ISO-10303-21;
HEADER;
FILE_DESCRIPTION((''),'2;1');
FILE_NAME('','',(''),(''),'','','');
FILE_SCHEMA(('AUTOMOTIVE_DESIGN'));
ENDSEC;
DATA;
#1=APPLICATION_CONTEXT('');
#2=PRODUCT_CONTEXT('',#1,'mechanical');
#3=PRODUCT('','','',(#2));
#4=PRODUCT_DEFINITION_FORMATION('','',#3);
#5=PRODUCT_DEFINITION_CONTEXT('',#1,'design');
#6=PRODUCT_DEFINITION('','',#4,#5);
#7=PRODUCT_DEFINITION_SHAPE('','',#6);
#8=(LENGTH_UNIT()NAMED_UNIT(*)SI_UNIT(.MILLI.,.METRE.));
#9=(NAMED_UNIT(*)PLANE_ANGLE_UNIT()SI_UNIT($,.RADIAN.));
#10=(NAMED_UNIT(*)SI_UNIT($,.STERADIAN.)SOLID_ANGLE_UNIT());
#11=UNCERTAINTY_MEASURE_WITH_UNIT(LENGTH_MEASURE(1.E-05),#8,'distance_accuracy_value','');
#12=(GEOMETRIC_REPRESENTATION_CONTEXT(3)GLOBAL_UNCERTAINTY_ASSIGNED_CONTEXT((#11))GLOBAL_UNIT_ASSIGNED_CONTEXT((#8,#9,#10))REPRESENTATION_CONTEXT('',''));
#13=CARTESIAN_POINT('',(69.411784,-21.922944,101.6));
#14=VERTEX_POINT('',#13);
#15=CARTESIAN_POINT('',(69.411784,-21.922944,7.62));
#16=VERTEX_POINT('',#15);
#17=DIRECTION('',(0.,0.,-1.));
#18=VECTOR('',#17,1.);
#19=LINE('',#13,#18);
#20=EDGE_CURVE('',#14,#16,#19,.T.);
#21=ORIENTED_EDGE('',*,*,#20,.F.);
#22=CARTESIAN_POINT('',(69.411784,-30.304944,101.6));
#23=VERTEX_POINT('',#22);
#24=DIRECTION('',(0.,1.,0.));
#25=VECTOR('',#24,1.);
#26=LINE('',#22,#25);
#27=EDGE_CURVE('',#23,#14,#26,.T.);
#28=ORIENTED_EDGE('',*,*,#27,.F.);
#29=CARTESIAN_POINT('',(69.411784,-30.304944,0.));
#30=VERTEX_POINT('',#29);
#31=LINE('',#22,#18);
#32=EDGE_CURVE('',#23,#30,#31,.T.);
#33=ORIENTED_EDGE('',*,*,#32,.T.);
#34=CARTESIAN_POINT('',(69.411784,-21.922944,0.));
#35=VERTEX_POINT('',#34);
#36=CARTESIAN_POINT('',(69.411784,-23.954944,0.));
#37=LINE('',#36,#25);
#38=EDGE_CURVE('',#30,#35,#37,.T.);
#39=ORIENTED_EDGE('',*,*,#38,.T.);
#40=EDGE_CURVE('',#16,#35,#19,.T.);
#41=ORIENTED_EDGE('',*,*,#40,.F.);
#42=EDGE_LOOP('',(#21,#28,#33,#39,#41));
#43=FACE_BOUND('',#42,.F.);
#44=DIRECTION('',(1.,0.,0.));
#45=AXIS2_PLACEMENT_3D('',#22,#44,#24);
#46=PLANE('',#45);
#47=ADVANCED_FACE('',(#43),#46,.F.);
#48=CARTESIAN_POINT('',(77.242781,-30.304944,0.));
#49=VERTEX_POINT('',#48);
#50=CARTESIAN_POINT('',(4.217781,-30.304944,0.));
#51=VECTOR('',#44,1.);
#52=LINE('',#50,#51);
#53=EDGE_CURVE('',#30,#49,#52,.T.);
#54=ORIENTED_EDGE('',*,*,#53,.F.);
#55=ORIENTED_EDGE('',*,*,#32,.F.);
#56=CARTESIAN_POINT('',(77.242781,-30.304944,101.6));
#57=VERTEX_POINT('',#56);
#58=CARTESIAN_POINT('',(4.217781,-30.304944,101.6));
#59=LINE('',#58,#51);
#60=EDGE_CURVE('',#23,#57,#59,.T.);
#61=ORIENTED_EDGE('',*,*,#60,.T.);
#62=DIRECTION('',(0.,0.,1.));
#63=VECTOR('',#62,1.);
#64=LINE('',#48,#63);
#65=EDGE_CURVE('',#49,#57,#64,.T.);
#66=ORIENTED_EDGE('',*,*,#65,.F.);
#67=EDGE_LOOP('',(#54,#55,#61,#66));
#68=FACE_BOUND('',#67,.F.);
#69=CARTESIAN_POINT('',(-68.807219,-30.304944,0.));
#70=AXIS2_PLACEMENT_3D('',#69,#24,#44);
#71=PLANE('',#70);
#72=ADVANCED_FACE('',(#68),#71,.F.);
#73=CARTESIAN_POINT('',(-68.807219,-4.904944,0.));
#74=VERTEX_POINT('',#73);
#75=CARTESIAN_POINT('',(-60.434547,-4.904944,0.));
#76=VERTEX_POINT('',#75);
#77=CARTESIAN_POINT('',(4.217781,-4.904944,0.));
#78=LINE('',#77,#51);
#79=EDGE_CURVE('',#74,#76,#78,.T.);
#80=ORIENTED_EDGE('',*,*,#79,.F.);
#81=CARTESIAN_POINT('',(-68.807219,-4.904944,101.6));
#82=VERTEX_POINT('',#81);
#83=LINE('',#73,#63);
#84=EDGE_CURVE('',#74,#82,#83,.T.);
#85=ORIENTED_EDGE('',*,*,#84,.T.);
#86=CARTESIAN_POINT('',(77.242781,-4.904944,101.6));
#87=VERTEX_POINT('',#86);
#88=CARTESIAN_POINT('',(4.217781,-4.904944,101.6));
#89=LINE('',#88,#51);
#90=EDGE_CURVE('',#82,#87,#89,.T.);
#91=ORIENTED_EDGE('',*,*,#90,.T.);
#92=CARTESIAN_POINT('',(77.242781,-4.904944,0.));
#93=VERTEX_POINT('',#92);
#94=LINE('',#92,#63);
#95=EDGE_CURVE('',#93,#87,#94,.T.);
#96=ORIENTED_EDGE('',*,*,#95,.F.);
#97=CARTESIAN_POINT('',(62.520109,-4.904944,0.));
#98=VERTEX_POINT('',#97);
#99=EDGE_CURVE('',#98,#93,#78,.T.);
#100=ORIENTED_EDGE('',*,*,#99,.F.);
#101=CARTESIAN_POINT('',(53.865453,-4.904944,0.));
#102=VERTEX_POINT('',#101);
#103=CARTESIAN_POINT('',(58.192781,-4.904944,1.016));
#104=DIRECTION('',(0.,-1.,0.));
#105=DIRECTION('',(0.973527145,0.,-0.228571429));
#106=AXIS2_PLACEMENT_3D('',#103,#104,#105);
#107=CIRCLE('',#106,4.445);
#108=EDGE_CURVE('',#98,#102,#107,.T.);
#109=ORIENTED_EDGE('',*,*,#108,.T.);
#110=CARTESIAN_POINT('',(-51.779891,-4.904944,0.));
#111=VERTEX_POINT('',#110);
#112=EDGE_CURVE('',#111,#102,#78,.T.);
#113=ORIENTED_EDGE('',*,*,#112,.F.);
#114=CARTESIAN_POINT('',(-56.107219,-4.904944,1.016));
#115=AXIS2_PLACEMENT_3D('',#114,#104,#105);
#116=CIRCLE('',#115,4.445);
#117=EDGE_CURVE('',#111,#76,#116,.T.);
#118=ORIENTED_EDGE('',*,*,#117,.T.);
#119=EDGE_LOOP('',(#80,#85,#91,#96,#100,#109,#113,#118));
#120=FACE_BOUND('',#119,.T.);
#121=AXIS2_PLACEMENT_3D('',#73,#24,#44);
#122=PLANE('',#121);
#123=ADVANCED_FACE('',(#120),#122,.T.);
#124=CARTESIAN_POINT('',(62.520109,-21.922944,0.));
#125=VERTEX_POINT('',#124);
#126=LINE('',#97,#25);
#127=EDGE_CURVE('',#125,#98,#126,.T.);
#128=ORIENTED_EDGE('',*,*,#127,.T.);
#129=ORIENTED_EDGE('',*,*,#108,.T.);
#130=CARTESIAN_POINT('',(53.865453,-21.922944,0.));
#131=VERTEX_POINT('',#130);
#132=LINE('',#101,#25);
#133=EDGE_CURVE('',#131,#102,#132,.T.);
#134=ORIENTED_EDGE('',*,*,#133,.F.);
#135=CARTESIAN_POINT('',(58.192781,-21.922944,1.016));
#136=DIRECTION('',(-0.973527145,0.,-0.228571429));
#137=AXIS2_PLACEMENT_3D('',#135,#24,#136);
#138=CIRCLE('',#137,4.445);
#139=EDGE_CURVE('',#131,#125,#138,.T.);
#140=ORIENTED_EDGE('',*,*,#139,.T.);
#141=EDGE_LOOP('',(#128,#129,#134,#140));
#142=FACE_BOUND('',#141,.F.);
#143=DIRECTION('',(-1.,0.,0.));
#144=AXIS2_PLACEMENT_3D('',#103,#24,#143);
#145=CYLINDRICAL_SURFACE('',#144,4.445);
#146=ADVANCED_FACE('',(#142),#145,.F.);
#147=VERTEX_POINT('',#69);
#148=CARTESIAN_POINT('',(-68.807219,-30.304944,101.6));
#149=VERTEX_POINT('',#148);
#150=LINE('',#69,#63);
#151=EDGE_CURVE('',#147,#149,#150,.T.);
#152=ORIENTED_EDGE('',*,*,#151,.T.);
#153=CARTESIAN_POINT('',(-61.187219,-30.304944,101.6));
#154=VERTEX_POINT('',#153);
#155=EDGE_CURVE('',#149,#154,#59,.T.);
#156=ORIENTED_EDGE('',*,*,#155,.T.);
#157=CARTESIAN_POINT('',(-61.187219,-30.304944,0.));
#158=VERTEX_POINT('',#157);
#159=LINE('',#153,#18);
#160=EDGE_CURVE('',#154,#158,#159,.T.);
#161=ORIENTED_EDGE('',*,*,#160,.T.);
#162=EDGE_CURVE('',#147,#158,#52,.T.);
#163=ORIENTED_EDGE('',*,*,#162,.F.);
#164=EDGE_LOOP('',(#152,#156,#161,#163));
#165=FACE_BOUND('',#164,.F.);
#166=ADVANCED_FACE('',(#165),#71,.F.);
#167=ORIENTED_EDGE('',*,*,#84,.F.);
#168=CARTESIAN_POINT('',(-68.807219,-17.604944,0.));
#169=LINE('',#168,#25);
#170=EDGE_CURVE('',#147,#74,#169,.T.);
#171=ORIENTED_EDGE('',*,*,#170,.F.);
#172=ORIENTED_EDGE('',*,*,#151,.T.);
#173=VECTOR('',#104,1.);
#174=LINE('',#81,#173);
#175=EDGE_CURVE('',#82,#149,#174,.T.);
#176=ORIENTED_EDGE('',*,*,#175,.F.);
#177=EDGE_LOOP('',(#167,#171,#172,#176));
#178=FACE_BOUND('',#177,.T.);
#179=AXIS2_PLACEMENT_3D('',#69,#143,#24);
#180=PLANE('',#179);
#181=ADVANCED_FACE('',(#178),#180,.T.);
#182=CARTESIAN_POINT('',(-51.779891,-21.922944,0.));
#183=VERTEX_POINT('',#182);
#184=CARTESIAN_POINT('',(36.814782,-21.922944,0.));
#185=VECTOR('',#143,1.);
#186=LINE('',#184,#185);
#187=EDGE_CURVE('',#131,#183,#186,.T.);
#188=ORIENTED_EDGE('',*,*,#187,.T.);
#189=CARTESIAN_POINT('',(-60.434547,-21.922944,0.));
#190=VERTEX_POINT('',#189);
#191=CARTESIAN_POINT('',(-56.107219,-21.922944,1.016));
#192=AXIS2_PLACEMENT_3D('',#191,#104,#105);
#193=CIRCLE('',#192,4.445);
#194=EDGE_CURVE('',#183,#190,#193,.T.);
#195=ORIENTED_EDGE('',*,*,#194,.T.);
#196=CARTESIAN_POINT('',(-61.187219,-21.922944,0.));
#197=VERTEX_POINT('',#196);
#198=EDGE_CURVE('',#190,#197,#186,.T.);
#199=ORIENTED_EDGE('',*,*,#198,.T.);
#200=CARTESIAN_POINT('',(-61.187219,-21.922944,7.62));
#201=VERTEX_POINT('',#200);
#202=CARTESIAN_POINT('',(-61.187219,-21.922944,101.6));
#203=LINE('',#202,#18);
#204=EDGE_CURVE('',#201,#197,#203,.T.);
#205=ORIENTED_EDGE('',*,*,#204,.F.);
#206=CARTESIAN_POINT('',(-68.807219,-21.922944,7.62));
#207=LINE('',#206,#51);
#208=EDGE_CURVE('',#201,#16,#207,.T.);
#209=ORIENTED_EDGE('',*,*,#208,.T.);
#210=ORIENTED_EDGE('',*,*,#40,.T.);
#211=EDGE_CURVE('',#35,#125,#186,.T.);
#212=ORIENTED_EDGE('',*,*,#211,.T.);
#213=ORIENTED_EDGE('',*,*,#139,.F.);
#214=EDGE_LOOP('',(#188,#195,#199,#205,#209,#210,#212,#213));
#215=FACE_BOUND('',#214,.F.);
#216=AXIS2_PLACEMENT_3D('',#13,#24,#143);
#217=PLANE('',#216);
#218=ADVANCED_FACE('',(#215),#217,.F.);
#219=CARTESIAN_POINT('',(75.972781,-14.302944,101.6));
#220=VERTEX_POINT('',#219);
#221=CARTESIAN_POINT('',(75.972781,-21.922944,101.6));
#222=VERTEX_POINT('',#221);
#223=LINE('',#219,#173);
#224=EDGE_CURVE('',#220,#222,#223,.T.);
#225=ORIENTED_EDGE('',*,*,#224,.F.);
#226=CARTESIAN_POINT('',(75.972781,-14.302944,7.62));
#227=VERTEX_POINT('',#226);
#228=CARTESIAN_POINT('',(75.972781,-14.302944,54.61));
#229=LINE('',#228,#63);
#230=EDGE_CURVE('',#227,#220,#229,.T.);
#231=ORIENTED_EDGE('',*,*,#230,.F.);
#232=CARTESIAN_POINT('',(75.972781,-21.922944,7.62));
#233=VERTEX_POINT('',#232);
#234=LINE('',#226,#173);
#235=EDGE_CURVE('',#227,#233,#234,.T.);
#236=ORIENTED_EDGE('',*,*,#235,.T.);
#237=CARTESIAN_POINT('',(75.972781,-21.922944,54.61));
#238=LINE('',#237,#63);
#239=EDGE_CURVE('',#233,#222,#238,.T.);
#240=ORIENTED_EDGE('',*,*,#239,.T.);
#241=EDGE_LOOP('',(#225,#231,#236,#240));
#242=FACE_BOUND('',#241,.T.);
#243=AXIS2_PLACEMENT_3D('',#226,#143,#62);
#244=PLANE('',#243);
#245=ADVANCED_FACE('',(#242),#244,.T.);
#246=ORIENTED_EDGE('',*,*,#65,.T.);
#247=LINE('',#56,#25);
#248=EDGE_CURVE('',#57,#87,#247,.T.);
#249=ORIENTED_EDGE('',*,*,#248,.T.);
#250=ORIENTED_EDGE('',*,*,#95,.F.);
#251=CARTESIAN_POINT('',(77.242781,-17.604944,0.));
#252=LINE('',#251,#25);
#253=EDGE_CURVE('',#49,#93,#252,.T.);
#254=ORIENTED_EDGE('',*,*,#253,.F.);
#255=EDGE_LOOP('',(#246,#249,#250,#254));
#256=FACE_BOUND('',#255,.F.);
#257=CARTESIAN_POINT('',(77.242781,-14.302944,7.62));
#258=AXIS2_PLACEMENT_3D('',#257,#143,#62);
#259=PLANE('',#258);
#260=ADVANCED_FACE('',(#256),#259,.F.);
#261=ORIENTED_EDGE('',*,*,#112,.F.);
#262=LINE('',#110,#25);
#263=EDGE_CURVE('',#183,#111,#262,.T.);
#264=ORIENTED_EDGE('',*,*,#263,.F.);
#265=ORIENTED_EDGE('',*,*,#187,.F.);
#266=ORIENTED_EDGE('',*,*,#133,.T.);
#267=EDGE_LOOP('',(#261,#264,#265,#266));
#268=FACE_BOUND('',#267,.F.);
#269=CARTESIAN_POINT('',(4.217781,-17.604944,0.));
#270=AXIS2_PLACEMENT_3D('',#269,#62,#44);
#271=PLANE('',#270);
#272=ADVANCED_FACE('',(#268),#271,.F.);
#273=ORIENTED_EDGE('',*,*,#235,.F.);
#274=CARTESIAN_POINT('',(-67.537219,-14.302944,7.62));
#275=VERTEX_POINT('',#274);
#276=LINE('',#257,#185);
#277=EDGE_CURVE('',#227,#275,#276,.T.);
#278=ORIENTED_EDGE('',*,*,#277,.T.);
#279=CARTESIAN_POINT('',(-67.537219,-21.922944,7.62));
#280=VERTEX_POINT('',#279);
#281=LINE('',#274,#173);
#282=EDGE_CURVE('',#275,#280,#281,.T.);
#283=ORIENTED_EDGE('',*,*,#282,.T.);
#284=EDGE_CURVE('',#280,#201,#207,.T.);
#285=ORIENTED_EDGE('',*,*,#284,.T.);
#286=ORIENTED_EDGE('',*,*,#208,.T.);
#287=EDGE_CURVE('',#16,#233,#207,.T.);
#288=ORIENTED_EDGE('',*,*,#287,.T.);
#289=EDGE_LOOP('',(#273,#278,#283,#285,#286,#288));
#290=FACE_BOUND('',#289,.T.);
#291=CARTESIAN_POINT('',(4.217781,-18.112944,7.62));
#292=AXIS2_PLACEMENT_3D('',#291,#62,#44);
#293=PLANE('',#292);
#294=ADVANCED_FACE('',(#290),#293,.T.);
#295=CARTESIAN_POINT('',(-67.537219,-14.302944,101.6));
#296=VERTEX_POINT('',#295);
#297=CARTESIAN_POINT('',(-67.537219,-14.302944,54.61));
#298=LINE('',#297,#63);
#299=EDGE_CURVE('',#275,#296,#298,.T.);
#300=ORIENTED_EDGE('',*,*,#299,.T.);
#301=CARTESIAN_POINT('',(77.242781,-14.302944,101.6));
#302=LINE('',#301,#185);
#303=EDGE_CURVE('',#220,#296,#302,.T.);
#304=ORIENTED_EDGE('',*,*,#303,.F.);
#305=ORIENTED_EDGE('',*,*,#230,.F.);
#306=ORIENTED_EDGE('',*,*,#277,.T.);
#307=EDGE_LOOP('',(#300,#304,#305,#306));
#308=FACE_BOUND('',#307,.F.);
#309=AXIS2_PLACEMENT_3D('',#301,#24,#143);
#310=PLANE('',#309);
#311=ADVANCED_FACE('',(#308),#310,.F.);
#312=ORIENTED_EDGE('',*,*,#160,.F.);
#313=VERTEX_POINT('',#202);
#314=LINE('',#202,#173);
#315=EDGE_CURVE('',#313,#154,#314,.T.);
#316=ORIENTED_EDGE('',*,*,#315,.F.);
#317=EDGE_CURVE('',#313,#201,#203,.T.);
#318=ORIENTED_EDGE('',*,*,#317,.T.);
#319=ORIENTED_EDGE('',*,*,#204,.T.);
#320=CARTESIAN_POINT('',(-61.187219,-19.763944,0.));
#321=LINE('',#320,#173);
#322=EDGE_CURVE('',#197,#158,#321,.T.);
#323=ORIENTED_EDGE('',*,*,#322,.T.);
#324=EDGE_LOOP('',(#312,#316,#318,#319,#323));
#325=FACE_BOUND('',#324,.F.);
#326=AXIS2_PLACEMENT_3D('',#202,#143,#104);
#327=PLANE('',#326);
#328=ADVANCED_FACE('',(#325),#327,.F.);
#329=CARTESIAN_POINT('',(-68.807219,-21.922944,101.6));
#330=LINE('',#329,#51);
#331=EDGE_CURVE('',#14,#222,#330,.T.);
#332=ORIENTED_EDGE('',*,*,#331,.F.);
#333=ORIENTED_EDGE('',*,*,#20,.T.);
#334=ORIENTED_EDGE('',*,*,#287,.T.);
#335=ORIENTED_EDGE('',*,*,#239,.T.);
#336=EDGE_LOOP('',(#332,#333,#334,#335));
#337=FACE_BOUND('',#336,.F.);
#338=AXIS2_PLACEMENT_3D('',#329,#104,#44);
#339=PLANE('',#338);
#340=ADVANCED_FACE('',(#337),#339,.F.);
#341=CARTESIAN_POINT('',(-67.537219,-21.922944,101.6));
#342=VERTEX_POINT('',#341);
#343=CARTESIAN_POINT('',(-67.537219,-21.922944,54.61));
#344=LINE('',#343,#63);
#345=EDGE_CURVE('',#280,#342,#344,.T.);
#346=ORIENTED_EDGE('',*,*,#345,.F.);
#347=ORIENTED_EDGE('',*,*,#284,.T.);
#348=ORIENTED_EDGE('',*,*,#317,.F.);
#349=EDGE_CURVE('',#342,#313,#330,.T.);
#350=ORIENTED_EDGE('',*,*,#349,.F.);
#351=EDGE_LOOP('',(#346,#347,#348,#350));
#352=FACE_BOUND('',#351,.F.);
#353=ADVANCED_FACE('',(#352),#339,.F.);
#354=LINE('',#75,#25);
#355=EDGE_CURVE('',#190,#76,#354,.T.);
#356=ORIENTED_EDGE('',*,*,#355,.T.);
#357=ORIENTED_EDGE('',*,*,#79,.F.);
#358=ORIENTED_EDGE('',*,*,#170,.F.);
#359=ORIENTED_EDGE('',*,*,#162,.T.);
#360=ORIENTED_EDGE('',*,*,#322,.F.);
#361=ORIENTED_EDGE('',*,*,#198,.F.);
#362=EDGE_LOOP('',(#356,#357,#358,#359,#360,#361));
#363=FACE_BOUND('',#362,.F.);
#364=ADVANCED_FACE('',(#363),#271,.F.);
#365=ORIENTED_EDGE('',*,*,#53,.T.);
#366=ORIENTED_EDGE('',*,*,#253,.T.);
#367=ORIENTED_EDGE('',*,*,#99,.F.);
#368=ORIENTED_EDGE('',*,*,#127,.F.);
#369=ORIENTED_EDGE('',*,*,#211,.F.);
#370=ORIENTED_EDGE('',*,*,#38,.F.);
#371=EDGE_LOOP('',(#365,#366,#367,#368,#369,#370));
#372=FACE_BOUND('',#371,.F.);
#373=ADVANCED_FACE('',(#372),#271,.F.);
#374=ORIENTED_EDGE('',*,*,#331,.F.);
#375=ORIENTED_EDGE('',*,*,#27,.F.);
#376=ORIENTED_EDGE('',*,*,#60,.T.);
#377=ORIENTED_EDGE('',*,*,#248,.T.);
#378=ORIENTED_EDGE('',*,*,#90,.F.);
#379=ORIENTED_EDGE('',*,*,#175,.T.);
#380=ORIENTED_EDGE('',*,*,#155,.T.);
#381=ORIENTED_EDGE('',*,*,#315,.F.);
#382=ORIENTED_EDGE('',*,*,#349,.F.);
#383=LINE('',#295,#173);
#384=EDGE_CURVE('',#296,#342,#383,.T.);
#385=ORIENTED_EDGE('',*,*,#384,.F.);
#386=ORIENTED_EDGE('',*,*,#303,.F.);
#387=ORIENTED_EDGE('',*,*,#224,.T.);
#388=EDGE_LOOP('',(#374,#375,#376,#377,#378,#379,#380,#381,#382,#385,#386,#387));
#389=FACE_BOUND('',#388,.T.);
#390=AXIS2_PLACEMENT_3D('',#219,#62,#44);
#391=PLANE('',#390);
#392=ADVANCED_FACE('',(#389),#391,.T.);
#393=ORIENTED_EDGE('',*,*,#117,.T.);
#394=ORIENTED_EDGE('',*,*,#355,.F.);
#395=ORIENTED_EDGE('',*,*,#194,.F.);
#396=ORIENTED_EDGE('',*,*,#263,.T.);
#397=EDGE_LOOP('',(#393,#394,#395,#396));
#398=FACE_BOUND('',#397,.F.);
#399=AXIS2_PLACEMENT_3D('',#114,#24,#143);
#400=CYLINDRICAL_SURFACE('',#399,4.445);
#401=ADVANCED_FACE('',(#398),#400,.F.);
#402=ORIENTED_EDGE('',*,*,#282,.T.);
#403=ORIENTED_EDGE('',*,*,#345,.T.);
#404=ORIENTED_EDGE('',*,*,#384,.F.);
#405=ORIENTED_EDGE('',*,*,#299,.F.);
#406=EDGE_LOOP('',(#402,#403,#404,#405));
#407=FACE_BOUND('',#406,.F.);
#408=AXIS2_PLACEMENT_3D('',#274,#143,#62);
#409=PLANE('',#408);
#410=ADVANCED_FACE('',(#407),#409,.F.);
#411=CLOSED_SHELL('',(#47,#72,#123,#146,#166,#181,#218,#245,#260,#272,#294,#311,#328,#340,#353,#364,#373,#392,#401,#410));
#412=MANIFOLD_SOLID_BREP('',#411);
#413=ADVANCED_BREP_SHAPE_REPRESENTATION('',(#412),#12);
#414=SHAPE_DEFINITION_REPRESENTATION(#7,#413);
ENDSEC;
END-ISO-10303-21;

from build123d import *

# Parameters (mm, degrees)
F0_W     = 146.05
F0_H     = 25.4
F1_DEPTH = 101.6
F3_DEPTH = 93.98
F5_DEPTH = 101.601
F6_R     = 4.445
F7_DEPTH = 25.401
F8_W     = 1.27
F8_H     = 93.98
F9_DEPTH = 7.62


with BuildPart() as f1:
    # F0 (on Top) → F1 (new body)
    with BuildSketch(Plane.XY):
        with Locations((4.217781, -17.604944)):
            Rectangle(F0_W, F0_H)
    extrude(amount=F1_DEPTH)

    # F2 (on face) → F3 (cut)
    with BuildSketch(Plane.XY.offset(101.6)):
        Polygon((77.242781, -14.302944), (-63.299149, -14.302944), (-68.807219, -14.302944), (-68.807219, -21.922944), (-63.299149, -21.922944), (77.242781, -21.922944), align=None)
    extrude(amount=-F3_DEPTH, mode=Mode.SUBTRACT)

    # F4 (on face) → F5 (cut, through all)
    with BuildSketch(Plane.XY.offset(101.6)):
        Polygon((-61.187219, -21.922944), (-61.187219, -26.113944), (-61.187219, -30.304944), (69.411784, -30.304944), (69.411784, -26.113944), (69.411784, -21.922944), align=None)
    extrude(amount=-F5_DEPTH, mode=Mode.SUBTRACT)

    # F6 (on face) → F7 (cut, through all)
    with BuildSketch(Plane(origin=(0, -4.904944, 0), x_dir=(-1, 0, 0), z_dir=(0, 1, 0))):
        with Locations((-58.192781, 1.016)):
            Circle(F6_R)
        with Locations((56.107219, 1.016)):
            Circle(F6_R)
    extrude(amount=-F7_DEPTH, mode=Mode.SUBTRACT)

    # F8 (on face) → F9 (join)
    with BuildSketch(Plane.XZ.offset(14.302944)):
        with Locations((76.607781, 54.61)):
            Rectangle(F8_W, F8_H)
        with Locations((-68.172219, 54.61)):
            Rectangle(F8_W, F8_H)
    extrude(amount=F9_DEPTH)


solid = f1.part
